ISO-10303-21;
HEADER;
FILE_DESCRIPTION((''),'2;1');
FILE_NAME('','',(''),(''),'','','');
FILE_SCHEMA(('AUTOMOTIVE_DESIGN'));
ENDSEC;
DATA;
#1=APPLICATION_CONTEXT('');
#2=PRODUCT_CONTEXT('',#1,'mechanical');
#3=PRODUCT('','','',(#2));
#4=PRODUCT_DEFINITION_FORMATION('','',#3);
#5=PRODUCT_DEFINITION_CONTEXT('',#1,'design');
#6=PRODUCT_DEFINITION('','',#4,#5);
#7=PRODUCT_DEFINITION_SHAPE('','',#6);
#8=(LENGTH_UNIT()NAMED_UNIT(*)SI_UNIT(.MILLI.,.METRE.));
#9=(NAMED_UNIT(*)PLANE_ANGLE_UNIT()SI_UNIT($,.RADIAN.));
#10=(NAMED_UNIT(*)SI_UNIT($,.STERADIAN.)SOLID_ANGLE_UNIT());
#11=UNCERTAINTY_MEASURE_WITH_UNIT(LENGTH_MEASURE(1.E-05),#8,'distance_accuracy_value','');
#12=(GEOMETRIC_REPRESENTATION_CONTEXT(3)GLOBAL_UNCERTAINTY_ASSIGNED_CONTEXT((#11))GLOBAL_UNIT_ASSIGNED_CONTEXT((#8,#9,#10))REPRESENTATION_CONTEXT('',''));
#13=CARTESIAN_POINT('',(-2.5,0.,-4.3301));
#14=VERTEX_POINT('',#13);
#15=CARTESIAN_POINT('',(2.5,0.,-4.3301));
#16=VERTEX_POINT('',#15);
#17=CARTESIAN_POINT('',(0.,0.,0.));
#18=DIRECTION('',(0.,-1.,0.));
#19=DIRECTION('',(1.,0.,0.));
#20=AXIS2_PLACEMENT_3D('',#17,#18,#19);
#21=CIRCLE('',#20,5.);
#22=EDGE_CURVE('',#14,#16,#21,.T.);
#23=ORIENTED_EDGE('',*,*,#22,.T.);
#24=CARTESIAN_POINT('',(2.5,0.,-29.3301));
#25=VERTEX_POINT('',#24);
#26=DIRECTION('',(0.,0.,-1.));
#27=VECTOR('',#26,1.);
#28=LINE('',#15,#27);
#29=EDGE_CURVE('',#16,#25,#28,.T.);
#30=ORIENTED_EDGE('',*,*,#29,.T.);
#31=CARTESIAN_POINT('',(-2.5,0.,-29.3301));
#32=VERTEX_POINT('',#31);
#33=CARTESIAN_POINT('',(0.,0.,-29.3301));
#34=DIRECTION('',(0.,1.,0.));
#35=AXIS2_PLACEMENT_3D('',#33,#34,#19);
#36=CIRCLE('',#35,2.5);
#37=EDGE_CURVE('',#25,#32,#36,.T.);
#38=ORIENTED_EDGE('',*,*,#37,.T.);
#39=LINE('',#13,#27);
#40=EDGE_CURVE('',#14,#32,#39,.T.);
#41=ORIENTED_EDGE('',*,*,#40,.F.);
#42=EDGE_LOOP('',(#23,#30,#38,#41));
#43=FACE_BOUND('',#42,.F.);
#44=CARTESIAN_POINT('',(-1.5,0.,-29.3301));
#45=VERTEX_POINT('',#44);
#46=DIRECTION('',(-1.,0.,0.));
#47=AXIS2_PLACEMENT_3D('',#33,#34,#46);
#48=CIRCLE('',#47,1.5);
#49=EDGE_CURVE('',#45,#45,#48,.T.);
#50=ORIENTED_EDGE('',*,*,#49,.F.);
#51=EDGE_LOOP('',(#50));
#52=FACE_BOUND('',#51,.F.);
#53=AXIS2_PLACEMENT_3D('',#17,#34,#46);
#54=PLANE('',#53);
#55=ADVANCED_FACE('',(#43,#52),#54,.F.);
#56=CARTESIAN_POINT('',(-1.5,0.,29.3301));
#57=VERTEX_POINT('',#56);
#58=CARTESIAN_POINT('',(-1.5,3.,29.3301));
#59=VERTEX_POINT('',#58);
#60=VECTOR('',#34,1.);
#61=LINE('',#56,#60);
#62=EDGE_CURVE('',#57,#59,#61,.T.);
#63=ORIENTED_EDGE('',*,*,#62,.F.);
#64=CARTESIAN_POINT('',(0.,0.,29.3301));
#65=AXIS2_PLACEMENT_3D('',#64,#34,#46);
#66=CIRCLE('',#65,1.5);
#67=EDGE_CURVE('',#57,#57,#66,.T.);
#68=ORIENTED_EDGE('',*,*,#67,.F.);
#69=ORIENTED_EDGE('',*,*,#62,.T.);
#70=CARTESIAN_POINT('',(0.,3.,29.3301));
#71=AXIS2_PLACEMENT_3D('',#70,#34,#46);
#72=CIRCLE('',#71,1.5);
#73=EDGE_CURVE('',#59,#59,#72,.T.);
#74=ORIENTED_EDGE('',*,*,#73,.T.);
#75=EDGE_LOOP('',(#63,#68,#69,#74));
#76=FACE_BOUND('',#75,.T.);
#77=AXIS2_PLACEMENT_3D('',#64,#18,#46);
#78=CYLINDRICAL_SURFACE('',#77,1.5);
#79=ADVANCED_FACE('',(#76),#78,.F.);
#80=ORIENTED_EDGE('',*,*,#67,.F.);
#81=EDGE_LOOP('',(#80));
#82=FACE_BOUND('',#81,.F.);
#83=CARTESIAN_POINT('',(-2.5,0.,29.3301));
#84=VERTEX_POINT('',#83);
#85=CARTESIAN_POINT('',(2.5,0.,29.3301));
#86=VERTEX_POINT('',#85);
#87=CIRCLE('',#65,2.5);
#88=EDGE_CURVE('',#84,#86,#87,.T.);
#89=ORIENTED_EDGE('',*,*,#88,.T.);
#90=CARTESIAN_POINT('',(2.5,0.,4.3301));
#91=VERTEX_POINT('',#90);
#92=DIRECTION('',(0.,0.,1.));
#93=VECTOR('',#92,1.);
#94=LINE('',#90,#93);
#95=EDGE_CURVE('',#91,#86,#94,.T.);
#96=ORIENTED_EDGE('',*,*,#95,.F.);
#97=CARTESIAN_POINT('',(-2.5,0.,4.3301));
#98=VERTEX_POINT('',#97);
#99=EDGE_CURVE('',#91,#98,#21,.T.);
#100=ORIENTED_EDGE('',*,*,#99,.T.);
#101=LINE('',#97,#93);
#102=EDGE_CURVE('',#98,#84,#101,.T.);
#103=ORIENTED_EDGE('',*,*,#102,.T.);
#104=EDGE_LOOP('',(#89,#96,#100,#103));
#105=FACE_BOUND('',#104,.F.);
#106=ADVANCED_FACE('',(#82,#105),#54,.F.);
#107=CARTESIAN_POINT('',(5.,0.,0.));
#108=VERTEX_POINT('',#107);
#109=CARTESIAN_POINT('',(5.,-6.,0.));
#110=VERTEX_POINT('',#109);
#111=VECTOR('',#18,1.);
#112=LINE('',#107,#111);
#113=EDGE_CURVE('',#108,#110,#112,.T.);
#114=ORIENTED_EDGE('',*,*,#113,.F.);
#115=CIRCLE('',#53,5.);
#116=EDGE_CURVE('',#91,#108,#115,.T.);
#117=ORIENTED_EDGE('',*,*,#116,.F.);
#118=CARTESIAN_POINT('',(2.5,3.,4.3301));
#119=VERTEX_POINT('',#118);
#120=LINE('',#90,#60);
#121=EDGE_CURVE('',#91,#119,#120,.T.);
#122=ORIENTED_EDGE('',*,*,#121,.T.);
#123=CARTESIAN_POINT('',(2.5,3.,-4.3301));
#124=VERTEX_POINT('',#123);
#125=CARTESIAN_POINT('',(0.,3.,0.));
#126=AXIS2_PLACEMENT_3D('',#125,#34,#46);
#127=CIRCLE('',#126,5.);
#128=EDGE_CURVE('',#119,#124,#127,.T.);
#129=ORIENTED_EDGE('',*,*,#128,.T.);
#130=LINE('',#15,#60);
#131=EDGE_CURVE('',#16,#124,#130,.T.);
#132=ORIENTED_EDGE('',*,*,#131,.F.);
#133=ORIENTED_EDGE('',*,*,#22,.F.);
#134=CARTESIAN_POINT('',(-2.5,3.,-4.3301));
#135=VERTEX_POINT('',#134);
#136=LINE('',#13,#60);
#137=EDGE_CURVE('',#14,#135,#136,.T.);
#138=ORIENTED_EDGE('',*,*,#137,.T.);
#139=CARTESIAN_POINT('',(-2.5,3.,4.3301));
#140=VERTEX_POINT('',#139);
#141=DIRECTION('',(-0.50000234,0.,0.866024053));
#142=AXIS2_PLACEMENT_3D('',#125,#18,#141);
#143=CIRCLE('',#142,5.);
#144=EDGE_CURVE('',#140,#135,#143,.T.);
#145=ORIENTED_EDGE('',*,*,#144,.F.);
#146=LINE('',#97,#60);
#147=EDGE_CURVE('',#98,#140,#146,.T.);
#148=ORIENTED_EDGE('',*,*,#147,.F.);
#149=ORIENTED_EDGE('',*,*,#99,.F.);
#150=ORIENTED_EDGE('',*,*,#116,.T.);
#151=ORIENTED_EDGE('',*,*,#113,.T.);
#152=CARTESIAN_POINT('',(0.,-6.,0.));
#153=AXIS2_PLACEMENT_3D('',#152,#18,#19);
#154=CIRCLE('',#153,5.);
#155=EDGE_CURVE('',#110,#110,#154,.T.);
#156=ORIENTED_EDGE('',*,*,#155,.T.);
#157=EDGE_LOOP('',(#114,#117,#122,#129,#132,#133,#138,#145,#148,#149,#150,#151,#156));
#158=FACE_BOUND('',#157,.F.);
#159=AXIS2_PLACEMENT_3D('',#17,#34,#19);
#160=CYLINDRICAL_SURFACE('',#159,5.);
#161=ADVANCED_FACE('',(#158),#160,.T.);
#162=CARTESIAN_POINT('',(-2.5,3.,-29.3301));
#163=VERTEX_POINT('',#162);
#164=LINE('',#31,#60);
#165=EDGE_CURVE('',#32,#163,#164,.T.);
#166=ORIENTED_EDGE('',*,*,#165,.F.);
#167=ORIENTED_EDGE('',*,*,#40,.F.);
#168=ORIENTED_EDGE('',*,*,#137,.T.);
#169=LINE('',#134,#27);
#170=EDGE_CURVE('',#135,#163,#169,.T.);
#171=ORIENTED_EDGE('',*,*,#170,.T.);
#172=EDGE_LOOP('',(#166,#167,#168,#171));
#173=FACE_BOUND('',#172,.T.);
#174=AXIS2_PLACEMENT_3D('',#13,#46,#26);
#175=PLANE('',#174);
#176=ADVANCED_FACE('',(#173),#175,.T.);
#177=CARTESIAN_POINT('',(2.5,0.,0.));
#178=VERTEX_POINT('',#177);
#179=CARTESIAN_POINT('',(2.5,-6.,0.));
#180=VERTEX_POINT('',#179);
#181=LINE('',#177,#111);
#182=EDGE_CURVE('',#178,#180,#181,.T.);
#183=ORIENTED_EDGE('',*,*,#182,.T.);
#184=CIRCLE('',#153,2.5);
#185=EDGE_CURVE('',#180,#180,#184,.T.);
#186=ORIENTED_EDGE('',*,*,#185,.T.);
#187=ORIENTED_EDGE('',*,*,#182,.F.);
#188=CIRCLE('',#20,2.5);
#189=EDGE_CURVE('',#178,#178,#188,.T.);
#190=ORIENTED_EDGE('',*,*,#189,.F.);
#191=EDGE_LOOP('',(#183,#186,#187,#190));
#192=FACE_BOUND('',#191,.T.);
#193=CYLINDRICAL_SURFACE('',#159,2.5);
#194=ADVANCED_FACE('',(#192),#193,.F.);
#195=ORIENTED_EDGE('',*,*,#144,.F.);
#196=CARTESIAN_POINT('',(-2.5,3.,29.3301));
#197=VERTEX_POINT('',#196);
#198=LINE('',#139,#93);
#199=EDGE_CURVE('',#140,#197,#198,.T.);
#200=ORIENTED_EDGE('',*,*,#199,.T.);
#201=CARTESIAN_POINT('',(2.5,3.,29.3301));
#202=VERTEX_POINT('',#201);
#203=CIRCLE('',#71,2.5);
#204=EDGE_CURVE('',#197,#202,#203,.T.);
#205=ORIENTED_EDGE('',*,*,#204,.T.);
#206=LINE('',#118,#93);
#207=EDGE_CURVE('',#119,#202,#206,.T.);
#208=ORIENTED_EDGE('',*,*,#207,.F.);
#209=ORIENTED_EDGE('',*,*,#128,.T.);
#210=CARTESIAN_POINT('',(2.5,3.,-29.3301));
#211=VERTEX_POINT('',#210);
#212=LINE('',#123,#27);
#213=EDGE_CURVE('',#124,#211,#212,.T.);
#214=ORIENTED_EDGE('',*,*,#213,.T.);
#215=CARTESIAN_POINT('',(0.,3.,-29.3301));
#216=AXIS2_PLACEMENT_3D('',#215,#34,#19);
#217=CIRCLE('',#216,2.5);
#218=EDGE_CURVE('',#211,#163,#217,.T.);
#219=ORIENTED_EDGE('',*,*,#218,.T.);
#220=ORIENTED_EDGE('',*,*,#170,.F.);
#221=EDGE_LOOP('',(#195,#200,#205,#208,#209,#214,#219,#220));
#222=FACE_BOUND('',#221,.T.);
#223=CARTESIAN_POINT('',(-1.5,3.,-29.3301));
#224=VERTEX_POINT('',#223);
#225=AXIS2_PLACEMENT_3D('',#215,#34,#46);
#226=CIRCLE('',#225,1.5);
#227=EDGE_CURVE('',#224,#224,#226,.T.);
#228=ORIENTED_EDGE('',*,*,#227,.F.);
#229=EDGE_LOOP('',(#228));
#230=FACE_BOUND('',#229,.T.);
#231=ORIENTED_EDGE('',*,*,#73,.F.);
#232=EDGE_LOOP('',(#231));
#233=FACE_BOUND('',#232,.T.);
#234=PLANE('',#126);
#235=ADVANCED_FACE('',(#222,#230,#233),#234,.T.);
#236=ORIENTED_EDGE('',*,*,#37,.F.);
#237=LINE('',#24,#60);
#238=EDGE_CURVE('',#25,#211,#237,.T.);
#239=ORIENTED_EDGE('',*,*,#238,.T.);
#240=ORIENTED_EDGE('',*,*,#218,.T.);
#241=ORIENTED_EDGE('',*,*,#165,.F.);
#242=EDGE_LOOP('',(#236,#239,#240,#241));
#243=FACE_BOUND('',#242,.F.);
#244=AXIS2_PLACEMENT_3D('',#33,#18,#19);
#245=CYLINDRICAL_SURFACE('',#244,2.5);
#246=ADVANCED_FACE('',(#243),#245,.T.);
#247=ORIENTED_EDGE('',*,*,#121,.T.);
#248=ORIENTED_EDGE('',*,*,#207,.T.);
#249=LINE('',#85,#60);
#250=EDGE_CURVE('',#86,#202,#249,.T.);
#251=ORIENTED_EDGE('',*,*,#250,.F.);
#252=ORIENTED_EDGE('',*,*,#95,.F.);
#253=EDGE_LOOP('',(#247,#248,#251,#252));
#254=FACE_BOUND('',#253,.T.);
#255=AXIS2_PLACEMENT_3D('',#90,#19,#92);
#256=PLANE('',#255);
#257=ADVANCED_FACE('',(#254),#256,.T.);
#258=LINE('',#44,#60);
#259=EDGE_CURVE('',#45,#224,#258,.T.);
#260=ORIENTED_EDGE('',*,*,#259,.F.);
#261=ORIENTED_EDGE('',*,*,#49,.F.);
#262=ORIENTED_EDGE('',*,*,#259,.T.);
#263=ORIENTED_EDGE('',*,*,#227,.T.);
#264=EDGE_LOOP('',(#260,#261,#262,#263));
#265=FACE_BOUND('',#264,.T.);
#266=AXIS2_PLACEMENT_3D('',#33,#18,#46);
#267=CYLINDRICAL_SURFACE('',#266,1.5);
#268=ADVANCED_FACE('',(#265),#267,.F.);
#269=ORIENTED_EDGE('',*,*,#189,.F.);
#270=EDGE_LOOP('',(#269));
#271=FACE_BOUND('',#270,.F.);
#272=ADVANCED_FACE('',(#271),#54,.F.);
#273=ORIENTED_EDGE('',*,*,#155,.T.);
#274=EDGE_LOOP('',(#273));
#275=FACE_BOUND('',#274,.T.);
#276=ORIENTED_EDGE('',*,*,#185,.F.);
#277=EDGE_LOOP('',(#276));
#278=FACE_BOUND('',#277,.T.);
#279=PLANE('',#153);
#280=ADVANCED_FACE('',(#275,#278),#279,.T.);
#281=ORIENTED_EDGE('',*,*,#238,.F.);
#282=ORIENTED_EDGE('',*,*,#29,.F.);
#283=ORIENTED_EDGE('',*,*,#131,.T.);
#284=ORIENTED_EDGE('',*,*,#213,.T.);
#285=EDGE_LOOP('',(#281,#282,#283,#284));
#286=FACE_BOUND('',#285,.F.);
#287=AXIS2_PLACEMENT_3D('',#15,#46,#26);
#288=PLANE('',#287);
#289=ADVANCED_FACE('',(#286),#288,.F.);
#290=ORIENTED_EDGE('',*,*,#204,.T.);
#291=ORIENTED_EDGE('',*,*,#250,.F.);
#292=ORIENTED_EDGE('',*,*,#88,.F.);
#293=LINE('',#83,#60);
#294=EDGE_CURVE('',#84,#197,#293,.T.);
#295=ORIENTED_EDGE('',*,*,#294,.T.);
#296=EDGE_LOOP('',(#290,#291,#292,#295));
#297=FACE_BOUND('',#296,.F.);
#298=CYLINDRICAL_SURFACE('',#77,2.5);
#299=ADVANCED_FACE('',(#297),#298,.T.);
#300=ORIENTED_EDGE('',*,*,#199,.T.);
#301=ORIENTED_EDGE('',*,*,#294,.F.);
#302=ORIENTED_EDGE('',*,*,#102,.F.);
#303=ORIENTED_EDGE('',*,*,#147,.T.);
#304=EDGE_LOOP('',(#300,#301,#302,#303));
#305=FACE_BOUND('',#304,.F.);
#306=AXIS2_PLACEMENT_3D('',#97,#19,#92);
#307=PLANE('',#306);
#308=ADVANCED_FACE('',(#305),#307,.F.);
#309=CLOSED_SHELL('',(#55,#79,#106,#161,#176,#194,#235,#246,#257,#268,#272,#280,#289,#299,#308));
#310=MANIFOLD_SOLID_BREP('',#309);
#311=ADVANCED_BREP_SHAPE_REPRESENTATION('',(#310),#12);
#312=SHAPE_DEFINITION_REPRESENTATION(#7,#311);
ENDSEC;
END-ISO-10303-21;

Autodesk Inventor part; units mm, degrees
ref_plane "YZ Plane" through (0, 0, 0) normal (1, 0, 0) x (0, 1, 0)
ref_plane "XZ Plane" through (0, 0, 0) normal (0, 1, 0) x (-1, 0, 0)
ref_plane "XY Plane" through (0, 0, 0) normal (0, 0, 1) x (1, 0, 0)
sketch "Sketch1" plane through (0, 0, 0) normal (0, 1, 0) x (-1, 0, 0)
  circle A0 centre (0, 0) radius 5
  line L0 (2.5, 4.3301) -> (2.5, -4.3301)
  line L1 (-2.5, 4.3301) -> (-2.5, -4.3301)
  line L2 (-2.5, 4.3301) -> (-2.5, -4.3301)
  line L3 (-2.5, 4.3301) -> (-2.5, 29.3301)
  line L4 (-2.5, -4.3301) -> (-2.5, -29.3301)
  line L5 (2.5, -4.3301) -> (2.5, -29.3301)
  arc A1 (-2.5, -29.3301) -> (2.5, -29.3301) centre (0, -29.3301) ccw
  line L6 (2.5, 4.3301) -> (2.5, 29.3301)
  arc A2 (2.5, 29.3301) -> (-2.5, 29.3301) centre (0, 29.3301) ccw
  circle A3 centre (0, 29.3301) radius 1.5
  circle A4 centre (0, -29.3301) radius 1.5
  dimension "d0" = 10
  dimension "d1" = 5
  dimension "d2" = 2.5
  dimension "d18" = 25
  dimension "d19" = 25
  dimension "d20" = 25
  dimension "d21" = 3
  dimension "d22" = 3
  dimension "d23" = 25
  dimension "d24" = 2.5
extrude "Extrusion1" add sketch "Sketch1" along normal blind 3
sketch "Sketch2" plane through (0, 0, 0) normal (0, -1, 0) x (1, 0, 0)
  circle A0 centre (0, 0) radius 5
  circle A1 centre (0, 0) radius 2.5
  dimension "d14" = 5
  dimension "d15" = 10
extrude "Extrusion2" add sketch "Sketch2" along normal blind 6
equation "\"d2\" = 0.5 * d1"
properties part number "gripper_mechanism"
